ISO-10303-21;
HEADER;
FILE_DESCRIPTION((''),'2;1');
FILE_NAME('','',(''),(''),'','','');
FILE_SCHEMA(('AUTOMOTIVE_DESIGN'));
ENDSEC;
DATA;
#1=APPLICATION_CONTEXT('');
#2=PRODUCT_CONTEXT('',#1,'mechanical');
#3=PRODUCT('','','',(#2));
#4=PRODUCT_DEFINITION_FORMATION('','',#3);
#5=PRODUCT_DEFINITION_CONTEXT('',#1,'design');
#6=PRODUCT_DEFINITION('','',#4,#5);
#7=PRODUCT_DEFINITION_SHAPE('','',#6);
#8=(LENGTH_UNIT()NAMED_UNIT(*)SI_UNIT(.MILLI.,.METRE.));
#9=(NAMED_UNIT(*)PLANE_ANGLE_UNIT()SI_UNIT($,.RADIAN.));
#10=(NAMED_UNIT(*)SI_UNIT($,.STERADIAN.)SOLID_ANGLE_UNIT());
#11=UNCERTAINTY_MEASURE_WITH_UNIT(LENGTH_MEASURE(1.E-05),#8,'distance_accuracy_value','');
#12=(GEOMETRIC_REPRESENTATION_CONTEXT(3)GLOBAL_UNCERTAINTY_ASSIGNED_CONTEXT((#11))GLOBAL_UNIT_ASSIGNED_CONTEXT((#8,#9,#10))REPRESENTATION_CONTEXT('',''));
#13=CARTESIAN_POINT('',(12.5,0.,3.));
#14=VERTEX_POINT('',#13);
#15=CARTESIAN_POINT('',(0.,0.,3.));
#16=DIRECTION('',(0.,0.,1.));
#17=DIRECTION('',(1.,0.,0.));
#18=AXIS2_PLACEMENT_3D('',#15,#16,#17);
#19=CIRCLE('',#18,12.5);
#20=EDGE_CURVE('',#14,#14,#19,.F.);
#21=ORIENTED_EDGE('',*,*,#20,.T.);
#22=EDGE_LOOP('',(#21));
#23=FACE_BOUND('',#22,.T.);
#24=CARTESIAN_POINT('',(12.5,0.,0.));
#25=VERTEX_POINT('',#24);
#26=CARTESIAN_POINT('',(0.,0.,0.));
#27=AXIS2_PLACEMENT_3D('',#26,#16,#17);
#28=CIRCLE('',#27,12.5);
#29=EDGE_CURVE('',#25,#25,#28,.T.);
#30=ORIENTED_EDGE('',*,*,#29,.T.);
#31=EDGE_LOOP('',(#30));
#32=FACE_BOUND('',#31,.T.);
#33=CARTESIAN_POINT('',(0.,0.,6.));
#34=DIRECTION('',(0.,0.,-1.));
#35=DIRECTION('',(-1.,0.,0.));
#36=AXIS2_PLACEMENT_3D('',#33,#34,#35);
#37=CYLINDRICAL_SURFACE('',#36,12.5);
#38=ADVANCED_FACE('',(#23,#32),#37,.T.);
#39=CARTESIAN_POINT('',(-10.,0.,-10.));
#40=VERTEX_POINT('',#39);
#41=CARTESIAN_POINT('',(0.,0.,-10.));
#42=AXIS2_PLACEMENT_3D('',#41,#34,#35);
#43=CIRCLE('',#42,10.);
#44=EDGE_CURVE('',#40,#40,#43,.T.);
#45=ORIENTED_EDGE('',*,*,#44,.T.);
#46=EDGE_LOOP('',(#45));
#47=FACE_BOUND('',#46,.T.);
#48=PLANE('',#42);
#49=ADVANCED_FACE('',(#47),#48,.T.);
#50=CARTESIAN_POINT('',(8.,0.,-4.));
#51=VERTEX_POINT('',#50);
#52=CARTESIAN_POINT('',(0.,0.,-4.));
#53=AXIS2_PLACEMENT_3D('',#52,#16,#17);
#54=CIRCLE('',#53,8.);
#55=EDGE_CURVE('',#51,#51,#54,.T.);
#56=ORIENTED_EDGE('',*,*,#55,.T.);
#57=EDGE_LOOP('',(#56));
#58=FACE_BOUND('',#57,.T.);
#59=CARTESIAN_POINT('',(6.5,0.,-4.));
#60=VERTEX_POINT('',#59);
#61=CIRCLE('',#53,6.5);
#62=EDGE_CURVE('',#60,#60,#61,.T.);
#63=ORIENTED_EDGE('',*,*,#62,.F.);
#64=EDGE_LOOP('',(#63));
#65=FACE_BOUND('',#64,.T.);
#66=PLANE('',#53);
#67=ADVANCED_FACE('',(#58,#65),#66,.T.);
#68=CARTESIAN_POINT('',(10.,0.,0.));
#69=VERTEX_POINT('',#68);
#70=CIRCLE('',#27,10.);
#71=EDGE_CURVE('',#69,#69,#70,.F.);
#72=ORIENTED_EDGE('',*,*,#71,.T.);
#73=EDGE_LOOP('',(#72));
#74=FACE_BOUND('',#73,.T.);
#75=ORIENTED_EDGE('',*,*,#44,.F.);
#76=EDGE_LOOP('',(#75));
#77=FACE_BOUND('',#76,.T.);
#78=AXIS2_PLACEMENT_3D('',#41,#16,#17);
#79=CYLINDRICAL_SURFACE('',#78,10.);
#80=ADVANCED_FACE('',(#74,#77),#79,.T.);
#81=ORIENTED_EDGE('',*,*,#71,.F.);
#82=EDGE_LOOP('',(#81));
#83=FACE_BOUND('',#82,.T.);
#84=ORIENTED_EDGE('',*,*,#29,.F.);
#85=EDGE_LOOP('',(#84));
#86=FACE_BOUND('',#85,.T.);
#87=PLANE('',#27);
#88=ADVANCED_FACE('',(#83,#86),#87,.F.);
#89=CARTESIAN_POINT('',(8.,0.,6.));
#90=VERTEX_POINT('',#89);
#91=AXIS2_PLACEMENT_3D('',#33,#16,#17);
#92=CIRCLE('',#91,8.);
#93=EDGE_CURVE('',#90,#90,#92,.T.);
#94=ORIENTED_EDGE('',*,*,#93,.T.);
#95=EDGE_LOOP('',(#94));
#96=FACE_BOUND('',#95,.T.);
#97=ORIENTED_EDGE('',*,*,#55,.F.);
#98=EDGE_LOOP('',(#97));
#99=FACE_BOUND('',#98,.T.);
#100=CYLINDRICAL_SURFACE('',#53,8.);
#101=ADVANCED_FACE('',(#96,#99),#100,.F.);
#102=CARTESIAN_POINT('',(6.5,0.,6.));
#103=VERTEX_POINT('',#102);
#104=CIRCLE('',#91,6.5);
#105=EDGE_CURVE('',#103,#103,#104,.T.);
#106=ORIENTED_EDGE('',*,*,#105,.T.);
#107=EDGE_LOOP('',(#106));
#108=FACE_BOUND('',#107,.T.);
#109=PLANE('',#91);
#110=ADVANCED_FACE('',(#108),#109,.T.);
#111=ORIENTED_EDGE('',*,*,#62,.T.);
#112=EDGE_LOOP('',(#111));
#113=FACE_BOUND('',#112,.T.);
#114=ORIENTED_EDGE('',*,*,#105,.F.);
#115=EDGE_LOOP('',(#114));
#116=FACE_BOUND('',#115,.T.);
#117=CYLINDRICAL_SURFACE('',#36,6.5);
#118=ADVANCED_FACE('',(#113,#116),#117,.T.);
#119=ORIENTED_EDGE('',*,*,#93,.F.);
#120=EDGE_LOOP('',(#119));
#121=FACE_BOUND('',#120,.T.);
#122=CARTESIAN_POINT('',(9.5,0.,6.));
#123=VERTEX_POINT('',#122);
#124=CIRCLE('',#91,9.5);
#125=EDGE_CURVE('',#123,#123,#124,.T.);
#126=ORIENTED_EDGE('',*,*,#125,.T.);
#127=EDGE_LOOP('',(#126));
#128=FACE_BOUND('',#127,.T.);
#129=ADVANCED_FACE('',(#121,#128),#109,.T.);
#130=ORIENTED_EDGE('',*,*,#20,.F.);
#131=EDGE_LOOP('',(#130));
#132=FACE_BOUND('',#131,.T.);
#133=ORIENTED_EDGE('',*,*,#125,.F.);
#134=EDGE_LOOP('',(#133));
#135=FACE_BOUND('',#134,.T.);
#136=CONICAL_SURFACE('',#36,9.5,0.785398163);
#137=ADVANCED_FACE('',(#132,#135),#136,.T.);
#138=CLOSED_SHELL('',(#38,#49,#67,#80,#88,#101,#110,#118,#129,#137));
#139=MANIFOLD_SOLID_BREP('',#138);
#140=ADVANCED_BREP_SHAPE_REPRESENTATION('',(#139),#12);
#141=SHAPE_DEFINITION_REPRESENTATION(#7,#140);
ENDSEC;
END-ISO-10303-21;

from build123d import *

# Parameters (mm, degrees)
ESQUISSE1_R             = 12.5
BASE_EXTRUSION_DEPTH    = 6
CHANFREIN1_SIZE         = 3
ESQUISSE2_R             = 10
BOSS_EXTRU_1_DEPTH      = 10
ESQUISSE3_R             = 8
ENL_V_MAT_EXTRU_1_DEPTH = 10
ESQUISSE4_R             = 6.5
BOSS_EXTRU_2_DEPTH      = 10


with BuildPart() as part:
    # Esquisse1 → Base-Extrusion (new body)
    with BuildSketch(Plane.XY):
        Circle(ESQUISSE1_R)
    extrude(amount=BASE_EXTRUSION_DEPTH)

    # Chanfrein1
    chanfrein1_edges = [part.edges().sort_by_distance(p)[0] for p in [
        (-12.5, 0, 6),
    ]]
    chamfer(chanfrein1_edges, length=CHANFREIN1_SIZE)

    # Esquisse2 → Boss.-Extru.1 (add)
    with BuildSketch(Plane(origin=(0, 0, 0), x_dir=(-1, 0, 0), z_dir=(0, 0, -1))):
        with Locations(Location((0, 0, 0), (0, 0, 180))):
            Circle(ESQUISSE2_R)
    extrude(amount=BOSS_EXTRU_1_DEPTH)

    # Esquisse3 → Enlèv. mat.-Extru.1 (cut)
    with BuildSketch(Plane.XY.offset(6)):
        Circle(ESQUISSE3_R)
    extrude(amount=-ENL_V_MAT_EXTRU_1_DEPTH, mode=Mode.SUBTRACT)

    # Esquisse4 → Boss.-Extru.2 (add)
    with BuildSketch(Plane.XY.offset(-4)):
        Circle(ESQUISSE4_R)
    extrude(amount=BOSS_EXTRU_2_DEPTH)


solid = part.part
